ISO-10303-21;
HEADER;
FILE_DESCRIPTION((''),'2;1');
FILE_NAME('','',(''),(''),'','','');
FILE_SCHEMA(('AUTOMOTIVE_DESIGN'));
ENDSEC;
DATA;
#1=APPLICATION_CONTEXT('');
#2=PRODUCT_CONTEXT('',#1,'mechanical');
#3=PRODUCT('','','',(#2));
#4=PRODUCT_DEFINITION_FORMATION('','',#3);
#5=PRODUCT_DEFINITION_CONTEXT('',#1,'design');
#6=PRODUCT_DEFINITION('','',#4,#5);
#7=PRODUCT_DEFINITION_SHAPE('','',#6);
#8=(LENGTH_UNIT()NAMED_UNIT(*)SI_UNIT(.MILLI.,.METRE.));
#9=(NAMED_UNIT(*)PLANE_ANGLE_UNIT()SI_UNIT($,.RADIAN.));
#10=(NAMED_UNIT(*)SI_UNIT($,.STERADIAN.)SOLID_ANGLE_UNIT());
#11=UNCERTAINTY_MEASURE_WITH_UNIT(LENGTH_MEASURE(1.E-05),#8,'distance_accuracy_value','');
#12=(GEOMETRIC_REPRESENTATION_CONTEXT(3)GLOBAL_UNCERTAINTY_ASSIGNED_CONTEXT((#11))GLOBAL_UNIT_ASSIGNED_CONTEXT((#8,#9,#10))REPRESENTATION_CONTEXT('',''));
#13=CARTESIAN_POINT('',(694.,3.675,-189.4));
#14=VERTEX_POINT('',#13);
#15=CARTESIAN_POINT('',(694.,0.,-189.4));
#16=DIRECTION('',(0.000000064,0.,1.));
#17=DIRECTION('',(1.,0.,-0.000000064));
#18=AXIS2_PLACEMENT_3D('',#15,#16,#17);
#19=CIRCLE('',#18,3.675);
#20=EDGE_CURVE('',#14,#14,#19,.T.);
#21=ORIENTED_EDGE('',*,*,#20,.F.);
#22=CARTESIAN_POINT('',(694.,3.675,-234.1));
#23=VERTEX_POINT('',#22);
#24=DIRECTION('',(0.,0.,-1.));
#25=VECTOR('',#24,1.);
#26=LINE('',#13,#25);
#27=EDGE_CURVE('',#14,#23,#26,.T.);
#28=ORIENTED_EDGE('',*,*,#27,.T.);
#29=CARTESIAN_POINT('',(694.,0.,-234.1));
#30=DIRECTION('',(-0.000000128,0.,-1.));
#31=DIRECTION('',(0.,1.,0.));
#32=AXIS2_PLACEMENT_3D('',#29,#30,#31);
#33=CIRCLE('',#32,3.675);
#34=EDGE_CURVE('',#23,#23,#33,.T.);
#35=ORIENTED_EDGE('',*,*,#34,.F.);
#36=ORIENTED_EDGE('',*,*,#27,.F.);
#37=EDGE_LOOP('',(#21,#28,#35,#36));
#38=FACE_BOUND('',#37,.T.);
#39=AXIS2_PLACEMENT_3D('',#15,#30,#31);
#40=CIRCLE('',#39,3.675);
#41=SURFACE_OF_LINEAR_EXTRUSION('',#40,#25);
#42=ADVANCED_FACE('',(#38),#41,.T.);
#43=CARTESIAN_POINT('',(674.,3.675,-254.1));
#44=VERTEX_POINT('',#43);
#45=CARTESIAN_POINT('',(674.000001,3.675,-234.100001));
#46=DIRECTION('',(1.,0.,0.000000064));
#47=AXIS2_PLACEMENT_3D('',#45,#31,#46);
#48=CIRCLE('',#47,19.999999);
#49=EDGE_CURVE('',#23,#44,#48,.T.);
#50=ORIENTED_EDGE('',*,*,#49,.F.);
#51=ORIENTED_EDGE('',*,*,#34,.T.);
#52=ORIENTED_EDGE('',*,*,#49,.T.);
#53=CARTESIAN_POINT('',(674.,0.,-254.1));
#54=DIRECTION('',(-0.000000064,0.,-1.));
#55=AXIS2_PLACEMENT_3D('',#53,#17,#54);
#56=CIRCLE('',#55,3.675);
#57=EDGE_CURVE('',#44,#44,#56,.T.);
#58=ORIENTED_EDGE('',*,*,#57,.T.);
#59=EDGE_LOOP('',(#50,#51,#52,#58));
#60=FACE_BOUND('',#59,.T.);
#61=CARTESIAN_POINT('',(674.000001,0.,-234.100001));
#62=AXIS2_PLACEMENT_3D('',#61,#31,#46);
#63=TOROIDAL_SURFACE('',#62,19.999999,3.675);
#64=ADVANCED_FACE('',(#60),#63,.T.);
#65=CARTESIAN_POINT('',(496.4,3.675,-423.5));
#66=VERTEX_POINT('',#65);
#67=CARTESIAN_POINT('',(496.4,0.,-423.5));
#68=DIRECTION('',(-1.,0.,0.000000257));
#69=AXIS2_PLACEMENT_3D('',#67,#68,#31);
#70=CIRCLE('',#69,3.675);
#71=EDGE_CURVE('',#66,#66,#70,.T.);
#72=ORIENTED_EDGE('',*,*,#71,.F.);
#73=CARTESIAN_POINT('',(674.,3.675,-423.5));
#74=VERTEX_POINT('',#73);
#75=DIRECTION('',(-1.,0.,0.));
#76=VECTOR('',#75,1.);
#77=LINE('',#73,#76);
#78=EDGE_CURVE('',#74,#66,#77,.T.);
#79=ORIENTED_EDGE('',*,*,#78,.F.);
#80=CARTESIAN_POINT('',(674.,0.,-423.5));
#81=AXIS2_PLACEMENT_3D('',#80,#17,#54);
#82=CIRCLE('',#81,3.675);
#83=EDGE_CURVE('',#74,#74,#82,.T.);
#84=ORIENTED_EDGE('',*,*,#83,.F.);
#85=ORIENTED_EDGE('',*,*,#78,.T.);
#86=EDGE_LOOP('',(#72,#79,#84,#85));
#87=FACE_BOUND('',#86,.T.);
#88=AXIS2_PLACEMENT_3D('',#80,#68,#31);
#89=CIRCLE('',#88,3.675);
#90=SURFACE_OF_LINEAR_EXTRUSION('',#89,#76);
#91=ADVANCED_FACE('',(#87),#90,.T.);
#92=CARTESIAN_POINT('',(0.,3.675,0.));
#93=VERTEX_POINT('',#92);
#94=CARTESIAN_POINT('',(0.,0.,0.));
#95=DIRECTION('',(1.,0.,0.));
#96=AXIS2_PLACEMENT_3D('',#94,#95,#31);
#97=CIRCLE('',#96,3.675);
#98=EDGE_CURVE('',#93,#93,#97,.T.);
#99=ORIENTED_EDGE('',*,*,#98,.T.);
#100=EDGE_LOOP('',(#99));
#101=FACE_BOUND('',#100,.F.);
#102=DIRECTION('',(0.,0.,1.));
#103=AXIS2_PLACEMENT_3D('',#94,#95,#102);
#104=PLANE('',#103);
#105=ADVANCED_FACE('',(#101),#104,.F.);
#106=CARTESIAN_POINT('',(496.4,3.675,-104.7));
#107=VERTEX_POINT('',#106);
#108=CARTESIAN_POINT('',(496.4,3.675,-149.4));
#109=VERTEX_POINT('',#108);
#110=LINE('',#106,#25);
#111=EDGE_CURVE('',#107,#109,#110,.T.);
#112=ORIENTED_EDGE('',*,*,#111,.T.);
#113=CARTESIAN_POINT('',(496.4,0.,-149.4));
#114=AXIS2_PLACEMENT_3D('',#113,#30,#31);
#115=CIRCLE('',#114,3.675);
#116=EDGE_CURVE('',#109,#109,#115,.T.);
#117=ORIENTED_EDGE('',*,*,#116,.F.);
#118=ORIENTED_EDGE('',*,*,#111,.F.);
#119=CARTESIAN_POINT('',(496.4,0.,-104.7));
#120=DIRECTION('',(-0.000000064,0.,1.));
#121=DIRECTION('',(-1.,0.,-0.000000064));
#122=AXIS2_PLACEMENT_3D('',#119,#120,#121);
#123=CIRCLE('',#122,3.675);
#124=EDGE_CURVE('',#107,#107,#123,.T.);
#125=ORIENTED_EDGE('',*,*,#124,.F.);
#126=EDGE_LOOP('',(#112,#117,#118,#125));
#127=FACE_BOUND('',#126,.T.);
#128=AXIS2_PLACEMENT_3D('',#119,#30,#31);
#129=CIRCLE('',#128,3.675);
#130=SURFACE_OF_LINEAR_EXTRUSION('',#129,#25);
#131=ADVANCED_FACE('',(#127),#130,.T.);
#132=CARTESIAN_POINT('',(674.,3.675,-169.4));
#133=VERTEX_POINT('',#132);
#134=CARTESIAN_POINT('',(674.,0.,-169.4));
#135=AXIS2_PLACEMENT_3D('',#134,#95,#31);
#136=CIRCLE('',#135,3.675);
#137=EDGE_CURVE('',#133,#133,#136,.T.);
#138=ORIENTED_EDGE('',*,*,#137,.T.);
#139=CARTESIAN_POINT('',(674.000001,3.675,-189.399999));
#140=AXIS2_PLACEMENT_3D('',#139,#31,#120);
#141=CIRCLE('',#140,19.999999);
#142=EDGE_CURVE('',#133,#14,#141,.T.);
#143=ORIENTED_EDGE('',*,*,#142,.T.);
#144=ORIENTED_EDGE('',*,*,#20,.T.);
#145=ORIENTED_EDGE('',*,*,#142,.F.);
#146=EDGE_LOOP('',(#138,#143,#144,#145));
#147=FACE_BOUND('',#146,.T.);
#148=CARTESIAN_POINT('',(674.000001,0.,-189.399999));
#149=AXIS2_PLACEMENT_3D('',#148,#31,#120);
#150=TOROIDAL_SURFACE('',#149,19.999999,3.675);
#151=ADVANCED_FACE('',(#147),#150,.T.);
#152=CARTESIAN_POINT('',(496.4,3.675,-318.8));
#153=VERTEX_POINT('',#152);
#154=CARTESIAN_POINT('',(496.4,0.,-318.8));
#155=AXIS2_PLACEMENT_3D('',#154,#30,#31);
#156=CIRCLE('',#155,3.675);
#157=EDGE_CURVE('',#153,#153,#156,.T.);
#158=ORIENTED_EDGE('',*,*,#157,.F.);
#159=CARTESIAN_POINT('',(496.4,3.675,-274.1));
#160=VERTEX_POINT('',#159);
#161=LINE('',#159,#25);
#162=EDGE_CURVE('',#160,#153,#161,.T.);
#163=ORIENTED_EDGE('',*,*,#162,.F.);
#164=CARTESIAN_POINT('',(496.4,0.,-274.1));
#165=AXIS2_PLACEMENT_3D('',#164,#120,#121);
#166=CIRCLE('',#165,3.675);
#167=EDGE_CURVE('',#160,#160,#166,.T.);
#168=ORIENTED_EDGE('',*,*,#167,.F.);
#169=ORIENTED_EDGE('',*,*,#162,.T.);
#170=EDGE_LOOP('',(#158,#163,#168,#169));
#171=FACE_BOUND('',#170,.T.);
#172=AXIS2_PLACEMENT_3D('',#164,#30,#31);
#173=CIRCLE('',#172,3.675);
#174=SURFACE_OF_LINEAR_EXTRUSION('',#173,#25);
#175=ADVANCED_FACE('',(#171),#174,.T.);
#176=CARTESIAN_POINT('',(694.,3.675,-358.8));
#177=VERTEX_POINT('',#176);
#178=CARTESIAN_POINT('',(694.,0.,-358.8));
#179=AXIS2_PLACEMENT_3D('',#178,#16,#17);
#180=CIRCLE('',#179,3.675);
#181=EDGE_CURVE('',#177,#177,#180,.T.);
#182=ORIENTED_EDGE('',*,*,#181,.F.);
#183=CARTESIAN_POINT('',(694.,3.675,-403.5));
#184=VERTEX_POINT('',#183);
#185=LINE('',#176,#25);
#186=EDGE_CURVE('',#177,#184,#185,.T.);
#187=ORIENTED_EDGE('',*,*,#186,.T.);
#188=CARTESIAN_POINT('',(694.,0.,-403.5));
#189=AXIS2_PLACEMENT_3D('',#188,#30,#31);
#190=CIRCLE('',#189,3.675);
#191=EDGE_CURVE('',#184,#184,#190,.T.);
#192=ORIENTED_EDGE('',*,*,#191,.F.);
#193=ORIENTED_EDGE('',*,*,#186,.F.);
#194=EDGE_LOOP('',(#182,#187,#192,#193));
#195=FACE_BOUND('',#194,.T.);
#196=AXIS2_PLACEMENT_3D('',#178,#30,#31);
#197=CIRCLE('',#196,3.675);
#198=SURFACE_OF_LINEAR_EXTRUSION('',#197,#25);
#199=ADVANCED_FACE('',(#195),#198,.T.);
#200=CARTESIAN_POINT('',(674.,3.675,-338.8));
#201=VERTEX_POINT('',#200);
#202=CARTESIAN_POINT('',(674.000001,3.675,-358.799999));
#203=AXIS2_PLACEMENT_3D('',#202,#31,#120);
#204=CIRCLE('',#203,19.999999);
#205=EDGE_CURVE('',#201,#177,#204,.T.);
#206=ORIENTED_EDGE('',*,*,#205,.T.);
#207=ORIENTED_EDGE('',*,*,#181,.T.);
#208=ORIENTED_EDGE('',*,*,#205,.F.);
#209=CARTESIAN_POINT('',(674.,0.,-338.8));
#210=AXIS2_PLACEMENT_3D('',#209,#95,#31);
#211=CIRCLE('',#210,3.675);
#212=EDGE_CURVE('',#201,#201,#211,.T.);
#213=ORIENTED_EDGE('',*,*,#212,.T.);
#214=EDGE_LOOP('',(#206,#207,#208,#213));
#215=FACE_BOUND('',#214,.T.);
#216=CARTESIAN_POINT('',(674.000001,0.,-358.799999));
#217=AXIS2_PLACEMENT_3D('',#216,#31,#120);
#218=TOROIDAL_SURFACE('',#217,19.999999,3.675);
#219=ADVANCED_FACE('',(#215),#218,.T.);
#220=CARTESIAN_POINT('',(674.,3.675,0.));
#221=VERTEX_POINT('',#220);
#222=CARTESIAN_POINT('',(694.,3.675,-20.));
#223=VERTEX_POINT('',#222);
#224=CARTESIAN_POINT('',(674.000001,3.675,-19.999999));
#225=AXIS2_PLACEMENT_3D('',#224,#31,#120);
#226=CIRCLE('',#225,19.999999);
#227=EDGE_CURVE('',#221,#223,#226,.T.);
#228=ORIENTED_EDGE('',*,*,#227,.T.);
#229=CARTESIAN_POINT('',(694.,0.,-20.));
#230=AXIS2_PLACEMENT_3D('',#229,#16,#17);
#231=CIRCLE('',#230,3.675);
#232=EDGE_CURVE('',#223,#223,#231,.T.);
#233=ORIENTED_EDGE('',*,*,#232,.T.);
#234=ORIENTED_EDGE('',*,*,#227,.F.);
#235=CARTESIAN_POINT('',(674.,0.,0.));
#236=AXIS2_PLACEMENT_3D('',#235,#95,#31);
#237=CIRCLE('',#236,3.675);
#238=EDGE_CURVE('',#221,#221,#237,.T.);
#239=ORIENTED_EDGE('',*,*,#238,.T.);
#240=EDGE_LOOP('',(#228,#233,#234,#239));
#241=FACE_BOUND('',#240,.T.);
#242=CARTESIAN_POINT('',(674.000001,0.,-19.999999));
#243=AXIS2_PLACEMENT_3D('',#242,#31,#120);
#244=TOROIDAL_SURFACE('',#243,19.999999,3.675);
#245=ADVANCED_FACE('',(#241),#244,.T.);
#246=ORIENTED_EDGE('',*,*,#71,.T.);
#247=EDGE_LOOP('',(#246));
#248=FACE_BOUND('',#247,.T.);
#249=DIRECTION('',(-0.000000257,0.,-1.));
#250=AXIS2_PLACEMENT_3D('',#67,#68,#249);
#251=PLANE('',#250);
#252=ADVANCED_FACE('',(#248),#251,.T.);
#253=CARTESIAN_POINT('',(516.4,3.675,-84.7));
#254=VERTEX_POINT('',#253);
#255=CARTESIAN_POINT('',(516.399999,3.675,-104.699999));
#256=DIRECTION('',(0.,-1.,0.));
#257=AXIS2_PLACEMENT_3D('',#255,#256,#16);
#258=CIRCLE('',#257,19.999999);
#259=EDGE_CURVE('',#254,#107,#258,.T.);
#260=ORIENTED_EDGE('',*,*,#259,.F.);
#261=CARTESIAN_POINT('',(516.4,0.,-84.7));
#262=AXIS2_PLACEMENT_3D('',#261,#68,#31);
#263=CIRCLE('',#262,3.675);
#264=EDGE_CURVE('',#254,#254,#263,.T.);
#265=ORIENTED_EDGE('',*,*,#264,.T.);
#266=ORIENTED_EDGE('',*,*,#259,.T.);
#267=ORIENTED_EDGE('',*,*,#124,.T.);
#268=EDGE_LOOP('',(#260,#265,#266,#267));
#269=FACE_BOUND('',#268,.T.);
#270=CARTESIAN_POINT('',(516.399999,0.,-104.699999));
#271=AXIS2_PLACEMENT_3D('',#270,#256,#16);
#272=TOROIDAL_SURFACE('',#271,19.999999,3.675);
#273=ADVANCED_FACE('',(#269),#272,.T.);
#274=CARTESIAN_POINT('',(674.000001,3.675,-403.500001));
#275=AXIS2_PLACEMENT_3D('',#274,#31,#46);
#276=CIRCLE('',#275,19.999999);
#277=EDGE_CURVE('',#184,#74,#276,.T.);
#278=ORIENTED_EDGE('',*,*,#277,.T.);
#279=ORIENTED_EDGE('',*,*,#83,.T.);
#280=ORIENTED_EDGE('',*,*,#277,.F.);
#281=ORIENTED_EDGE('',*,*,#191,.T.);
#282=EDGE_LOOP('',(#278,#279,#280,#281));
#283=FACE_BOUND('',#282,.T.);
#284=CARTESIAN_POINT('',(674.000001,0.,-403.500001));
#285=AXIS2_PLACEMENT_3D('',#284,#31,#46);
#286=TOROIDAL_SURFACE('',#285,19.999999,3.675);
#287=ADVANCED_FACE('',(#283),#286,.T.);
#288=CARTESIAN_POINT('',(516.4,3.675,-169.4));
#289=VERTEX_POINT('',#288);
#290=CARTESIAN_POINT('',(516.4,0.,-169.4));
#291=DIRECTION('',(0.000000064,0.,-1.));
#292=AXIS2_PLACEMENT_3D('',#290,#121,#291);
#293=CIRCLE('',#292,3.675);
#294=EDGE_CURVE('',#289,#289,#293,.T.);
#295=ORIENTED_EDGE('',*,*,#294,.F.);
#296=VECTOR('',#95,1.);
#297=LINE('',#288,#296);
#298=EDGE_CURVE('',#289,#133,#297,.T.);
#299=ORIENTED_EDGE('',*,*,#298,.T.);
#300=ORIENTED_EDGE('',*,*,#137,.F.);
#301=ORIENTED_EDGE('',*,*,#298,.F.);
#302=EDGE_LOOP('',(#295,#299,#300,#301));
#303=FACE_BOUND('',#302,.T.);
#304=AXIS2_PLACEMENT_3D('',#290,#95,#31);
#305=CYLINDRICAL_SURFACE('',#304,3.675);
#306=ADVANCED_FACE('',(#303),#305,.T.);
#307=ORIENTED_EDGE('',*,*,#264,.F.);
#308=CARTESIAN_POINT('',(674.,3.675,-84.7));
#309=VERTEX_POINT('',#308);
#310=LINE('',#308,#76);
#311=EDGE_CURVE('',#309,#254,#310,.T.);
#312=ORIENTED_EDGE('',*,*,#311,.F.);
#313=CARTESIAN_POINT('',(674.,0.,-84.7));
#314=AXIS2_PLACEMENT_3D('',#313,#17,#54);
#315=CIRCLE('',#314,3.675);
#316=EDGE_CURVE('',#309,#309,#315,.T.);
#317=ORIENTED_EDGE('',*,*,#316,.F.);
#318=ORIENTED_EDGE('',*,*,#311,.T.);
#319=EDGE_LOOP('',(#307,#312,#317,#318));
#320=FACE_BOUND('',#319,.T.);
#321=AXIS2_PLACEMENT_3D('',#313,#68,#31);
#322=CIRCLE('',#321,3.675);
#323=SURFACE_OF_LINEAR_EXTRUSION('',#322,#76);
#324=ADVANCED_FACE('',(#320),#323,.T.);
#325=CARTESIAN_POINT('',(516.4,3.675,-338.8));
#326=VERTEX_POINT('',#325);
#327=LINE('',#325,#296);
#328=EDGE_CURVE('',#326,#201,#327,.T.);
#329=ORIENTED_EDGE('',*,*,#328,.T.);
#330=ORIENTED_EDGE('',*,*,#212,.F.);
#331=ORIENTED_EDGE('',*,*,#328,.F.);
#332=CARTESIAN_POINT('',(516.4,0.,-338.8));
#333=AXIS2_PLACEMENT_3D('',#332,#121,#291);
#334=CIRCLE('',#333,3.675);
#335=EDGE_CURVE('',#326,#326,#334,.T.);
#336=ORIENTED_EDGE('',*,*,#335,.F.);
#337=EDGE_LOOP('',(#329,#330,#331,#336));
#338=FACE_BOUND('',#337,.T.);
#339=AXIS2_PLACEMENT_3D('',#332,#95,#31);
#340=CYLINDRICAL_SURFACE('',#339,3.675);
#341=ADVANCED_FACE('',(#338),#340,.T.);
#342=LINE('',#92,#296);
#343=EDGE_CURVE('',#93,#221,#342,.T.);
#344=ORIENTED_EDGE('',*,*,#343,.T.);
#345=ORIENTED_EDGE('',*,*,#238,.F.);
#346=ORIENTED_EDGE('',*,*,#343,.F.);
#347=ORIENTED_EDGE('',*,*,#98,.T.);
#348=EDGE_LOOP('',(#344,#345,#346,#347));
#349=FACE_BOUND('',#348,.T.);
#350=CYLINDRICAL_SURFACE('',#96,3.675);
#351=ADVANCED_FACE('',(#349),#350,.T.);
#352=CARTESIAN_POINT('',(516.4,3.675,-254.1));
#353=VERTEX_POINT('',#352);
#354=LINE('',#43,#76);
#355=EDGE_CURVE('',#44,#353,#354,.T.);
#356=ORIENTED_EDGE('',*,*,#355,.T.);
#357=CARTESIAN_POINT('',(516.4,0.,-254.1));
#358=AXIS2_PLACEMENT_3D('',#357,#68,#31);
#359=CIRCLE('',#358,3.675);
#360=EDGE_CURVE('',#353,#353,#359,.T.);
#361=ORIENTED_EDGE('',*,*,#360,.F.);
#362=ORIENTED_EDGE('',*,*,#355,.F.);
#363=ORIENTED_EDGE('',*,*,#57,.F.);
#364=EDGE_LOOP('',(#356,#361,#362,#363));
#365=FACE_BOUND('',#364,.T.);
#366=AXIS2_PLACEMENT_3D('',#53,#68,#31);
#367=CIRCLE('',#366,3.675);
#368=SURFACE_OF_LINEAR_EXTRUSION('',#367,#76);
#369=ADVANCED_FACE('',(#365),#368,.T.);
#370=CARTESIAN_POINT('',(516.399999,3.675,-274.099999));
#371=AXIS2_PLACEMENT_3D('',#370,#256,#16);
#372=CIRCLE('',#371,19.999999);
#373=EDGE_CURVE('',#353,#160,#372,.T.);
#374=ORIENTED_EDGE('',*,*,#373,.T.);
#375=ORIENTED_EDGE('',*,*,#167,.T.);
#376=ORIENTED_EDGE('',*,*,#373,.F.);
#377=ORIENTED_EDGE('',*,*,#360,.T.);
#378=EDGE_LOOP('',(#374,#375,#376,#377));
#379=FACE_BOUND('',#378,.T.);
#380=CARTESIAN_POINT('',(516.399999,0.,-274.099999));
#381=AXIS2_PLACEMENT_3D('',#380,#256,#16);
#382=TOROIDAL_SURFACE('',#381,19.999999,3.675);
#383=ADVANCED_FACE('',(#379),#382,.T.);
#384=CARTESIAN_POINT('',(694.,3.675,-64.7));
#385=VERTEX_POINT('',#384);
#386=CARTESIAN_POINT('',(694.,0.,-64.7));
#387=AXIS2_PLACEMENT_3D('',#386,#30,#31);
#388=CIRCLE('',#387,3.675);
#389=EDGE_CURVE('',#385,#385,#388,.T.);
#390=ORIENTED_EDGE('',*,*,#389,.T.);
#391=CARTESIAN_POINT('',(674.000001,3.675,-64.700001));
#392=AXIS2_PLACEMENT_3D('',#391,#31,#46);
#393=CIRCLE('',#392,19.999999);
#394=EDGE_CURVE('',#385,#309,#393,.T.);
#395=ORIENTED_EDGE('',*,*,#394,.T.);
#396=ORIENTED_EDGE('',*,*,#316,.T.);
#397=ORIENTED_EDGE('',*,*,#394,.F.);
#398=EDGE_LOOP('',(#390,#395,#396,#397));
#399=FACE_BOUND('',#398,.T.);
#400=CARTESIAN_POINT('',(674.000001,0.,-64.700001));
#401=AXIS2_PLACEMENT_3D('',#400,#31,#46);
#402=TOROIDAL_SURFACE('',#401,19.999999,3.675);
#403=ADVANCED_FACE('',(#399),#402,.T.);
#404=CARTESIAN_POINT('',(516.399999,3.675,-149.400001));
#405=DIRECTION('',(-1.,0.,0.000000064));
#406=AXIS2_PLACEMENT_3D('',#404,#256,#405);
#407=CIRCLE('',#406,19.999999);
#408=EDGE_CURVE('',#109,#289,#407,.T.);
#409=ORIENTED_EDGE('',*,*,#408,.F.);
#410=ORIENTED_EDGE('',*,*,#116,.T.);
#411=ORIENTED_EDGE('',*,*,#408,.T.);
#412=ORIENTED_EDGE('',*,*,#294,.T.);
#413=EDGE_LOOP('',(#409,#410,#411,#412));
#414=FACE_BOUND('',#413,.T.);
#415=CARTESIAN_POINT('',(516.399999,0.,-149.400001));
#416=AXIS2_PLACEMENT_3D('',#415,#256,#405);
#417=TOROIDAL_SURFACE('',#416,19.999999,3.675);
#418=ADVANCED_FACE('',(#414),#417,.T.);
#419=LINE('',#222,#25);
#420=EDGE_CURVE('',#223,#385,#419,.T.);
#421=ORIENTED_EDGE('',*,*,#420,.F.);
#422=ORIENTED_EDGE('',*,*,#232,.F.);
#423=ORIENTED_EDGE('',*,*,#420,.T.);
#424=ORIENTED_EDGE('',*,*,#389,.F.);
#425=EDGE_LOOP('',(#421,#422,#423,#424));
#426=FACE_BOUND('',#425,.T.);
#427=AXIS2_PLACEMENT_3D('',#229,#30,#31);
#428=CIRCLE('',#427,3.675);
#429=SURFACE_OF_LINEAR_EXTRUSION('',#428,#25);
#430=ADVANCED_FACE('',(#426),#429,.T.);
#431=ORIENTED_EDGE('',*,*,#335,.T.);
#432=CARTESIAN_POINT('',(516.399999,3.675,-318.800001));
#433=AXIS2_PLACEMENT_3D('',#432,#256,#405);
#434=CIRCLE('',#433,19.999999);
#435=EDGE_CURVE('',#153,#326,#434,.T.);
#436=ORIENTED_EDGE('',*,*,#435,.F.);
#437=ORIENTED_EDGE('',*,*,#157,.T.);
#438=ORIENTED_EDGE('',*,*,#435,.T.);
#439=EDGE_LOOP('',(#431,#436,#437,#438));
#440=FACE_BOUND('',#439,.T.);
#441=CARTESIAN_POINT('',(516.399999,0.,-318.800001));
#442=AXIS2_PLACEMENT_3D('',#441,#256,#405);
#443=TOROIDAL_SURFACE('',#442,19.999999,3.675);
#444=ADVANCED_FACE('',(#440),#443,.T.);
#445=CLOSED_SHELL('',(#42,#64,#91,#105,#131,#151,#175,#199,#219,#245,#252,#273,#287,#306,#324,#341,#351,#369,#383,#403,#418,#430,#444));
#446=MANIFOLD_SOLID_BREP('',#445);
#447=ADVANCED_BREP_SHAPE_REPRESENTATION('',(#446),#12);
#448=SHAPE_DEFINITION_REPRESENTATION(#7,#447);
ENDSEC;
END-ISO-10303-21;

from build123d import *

# Parameters (mm, degrees)
F1_R = 3.675


with BuildPart() as f2:
    # F2: sweep along a path in F0
    with BuildLine(Plane.XZ) as f2_path:
        Line((0, 0), (674, 0))
        ThreePointArc((674, 0), (688.142136, -5.857864), (694, -20))
        Line((694, -20), (694, -64.7))
        ThreePointArc((694, -64.7), (688.142136, -78.842136), (674, -84.7))
        Line((674, -84.7), (516.4, -84.7))
        ThreePointArc((516.4, -84.7), (502.257864, -90.557864), (496.4, -104.7))
        Line((496.4, -104.7), (496.4, -149.4))
        ThreePointArc((496.4, -149.4), (502.257864, -163.542136), (516.4, -169.4))
        Line((516.4, -169.4), (674, -169.4))
        ThreePointArc((674, -169.4), (688.142136, -175.257864), (694, -189.4))
        Line((694, -189.4), (694, -234.1))
        ThreePointArc((694, -234.1), (688.142136, -248.242136), (674, -254.1))
        Line((674, -254.1), (516.4, -254.1))
        ThreePointArc((516.4, -254.1), (502.257864, -259.957864), (496.4, -274.1))
        Line((496.4, -274.1), (496.4, -318.8))
        ThreePointArc((496.4, -318.8), (502.257864, -332.942136), (516.4, -338.8))
        Line((516.4, -338.8), (674, -338.8))
        ThreePointArc((674, -338.8), (688.142136, -344.657864), (694, -358.8))
        Line((694, -358.8), (694, -403.5))
        ThreePointArc((694, -403.5), (688.142136, -417.642136), (674, -423.5))
        Line((674, -423.5), (496.4, -423.5))
    # F1 (on Right) → F2 (sweep)
    with BuildSketch(Plane.YZ):
        Circle(F1_R)
    sweep(path=f2_path.line)


solid = f2.part
